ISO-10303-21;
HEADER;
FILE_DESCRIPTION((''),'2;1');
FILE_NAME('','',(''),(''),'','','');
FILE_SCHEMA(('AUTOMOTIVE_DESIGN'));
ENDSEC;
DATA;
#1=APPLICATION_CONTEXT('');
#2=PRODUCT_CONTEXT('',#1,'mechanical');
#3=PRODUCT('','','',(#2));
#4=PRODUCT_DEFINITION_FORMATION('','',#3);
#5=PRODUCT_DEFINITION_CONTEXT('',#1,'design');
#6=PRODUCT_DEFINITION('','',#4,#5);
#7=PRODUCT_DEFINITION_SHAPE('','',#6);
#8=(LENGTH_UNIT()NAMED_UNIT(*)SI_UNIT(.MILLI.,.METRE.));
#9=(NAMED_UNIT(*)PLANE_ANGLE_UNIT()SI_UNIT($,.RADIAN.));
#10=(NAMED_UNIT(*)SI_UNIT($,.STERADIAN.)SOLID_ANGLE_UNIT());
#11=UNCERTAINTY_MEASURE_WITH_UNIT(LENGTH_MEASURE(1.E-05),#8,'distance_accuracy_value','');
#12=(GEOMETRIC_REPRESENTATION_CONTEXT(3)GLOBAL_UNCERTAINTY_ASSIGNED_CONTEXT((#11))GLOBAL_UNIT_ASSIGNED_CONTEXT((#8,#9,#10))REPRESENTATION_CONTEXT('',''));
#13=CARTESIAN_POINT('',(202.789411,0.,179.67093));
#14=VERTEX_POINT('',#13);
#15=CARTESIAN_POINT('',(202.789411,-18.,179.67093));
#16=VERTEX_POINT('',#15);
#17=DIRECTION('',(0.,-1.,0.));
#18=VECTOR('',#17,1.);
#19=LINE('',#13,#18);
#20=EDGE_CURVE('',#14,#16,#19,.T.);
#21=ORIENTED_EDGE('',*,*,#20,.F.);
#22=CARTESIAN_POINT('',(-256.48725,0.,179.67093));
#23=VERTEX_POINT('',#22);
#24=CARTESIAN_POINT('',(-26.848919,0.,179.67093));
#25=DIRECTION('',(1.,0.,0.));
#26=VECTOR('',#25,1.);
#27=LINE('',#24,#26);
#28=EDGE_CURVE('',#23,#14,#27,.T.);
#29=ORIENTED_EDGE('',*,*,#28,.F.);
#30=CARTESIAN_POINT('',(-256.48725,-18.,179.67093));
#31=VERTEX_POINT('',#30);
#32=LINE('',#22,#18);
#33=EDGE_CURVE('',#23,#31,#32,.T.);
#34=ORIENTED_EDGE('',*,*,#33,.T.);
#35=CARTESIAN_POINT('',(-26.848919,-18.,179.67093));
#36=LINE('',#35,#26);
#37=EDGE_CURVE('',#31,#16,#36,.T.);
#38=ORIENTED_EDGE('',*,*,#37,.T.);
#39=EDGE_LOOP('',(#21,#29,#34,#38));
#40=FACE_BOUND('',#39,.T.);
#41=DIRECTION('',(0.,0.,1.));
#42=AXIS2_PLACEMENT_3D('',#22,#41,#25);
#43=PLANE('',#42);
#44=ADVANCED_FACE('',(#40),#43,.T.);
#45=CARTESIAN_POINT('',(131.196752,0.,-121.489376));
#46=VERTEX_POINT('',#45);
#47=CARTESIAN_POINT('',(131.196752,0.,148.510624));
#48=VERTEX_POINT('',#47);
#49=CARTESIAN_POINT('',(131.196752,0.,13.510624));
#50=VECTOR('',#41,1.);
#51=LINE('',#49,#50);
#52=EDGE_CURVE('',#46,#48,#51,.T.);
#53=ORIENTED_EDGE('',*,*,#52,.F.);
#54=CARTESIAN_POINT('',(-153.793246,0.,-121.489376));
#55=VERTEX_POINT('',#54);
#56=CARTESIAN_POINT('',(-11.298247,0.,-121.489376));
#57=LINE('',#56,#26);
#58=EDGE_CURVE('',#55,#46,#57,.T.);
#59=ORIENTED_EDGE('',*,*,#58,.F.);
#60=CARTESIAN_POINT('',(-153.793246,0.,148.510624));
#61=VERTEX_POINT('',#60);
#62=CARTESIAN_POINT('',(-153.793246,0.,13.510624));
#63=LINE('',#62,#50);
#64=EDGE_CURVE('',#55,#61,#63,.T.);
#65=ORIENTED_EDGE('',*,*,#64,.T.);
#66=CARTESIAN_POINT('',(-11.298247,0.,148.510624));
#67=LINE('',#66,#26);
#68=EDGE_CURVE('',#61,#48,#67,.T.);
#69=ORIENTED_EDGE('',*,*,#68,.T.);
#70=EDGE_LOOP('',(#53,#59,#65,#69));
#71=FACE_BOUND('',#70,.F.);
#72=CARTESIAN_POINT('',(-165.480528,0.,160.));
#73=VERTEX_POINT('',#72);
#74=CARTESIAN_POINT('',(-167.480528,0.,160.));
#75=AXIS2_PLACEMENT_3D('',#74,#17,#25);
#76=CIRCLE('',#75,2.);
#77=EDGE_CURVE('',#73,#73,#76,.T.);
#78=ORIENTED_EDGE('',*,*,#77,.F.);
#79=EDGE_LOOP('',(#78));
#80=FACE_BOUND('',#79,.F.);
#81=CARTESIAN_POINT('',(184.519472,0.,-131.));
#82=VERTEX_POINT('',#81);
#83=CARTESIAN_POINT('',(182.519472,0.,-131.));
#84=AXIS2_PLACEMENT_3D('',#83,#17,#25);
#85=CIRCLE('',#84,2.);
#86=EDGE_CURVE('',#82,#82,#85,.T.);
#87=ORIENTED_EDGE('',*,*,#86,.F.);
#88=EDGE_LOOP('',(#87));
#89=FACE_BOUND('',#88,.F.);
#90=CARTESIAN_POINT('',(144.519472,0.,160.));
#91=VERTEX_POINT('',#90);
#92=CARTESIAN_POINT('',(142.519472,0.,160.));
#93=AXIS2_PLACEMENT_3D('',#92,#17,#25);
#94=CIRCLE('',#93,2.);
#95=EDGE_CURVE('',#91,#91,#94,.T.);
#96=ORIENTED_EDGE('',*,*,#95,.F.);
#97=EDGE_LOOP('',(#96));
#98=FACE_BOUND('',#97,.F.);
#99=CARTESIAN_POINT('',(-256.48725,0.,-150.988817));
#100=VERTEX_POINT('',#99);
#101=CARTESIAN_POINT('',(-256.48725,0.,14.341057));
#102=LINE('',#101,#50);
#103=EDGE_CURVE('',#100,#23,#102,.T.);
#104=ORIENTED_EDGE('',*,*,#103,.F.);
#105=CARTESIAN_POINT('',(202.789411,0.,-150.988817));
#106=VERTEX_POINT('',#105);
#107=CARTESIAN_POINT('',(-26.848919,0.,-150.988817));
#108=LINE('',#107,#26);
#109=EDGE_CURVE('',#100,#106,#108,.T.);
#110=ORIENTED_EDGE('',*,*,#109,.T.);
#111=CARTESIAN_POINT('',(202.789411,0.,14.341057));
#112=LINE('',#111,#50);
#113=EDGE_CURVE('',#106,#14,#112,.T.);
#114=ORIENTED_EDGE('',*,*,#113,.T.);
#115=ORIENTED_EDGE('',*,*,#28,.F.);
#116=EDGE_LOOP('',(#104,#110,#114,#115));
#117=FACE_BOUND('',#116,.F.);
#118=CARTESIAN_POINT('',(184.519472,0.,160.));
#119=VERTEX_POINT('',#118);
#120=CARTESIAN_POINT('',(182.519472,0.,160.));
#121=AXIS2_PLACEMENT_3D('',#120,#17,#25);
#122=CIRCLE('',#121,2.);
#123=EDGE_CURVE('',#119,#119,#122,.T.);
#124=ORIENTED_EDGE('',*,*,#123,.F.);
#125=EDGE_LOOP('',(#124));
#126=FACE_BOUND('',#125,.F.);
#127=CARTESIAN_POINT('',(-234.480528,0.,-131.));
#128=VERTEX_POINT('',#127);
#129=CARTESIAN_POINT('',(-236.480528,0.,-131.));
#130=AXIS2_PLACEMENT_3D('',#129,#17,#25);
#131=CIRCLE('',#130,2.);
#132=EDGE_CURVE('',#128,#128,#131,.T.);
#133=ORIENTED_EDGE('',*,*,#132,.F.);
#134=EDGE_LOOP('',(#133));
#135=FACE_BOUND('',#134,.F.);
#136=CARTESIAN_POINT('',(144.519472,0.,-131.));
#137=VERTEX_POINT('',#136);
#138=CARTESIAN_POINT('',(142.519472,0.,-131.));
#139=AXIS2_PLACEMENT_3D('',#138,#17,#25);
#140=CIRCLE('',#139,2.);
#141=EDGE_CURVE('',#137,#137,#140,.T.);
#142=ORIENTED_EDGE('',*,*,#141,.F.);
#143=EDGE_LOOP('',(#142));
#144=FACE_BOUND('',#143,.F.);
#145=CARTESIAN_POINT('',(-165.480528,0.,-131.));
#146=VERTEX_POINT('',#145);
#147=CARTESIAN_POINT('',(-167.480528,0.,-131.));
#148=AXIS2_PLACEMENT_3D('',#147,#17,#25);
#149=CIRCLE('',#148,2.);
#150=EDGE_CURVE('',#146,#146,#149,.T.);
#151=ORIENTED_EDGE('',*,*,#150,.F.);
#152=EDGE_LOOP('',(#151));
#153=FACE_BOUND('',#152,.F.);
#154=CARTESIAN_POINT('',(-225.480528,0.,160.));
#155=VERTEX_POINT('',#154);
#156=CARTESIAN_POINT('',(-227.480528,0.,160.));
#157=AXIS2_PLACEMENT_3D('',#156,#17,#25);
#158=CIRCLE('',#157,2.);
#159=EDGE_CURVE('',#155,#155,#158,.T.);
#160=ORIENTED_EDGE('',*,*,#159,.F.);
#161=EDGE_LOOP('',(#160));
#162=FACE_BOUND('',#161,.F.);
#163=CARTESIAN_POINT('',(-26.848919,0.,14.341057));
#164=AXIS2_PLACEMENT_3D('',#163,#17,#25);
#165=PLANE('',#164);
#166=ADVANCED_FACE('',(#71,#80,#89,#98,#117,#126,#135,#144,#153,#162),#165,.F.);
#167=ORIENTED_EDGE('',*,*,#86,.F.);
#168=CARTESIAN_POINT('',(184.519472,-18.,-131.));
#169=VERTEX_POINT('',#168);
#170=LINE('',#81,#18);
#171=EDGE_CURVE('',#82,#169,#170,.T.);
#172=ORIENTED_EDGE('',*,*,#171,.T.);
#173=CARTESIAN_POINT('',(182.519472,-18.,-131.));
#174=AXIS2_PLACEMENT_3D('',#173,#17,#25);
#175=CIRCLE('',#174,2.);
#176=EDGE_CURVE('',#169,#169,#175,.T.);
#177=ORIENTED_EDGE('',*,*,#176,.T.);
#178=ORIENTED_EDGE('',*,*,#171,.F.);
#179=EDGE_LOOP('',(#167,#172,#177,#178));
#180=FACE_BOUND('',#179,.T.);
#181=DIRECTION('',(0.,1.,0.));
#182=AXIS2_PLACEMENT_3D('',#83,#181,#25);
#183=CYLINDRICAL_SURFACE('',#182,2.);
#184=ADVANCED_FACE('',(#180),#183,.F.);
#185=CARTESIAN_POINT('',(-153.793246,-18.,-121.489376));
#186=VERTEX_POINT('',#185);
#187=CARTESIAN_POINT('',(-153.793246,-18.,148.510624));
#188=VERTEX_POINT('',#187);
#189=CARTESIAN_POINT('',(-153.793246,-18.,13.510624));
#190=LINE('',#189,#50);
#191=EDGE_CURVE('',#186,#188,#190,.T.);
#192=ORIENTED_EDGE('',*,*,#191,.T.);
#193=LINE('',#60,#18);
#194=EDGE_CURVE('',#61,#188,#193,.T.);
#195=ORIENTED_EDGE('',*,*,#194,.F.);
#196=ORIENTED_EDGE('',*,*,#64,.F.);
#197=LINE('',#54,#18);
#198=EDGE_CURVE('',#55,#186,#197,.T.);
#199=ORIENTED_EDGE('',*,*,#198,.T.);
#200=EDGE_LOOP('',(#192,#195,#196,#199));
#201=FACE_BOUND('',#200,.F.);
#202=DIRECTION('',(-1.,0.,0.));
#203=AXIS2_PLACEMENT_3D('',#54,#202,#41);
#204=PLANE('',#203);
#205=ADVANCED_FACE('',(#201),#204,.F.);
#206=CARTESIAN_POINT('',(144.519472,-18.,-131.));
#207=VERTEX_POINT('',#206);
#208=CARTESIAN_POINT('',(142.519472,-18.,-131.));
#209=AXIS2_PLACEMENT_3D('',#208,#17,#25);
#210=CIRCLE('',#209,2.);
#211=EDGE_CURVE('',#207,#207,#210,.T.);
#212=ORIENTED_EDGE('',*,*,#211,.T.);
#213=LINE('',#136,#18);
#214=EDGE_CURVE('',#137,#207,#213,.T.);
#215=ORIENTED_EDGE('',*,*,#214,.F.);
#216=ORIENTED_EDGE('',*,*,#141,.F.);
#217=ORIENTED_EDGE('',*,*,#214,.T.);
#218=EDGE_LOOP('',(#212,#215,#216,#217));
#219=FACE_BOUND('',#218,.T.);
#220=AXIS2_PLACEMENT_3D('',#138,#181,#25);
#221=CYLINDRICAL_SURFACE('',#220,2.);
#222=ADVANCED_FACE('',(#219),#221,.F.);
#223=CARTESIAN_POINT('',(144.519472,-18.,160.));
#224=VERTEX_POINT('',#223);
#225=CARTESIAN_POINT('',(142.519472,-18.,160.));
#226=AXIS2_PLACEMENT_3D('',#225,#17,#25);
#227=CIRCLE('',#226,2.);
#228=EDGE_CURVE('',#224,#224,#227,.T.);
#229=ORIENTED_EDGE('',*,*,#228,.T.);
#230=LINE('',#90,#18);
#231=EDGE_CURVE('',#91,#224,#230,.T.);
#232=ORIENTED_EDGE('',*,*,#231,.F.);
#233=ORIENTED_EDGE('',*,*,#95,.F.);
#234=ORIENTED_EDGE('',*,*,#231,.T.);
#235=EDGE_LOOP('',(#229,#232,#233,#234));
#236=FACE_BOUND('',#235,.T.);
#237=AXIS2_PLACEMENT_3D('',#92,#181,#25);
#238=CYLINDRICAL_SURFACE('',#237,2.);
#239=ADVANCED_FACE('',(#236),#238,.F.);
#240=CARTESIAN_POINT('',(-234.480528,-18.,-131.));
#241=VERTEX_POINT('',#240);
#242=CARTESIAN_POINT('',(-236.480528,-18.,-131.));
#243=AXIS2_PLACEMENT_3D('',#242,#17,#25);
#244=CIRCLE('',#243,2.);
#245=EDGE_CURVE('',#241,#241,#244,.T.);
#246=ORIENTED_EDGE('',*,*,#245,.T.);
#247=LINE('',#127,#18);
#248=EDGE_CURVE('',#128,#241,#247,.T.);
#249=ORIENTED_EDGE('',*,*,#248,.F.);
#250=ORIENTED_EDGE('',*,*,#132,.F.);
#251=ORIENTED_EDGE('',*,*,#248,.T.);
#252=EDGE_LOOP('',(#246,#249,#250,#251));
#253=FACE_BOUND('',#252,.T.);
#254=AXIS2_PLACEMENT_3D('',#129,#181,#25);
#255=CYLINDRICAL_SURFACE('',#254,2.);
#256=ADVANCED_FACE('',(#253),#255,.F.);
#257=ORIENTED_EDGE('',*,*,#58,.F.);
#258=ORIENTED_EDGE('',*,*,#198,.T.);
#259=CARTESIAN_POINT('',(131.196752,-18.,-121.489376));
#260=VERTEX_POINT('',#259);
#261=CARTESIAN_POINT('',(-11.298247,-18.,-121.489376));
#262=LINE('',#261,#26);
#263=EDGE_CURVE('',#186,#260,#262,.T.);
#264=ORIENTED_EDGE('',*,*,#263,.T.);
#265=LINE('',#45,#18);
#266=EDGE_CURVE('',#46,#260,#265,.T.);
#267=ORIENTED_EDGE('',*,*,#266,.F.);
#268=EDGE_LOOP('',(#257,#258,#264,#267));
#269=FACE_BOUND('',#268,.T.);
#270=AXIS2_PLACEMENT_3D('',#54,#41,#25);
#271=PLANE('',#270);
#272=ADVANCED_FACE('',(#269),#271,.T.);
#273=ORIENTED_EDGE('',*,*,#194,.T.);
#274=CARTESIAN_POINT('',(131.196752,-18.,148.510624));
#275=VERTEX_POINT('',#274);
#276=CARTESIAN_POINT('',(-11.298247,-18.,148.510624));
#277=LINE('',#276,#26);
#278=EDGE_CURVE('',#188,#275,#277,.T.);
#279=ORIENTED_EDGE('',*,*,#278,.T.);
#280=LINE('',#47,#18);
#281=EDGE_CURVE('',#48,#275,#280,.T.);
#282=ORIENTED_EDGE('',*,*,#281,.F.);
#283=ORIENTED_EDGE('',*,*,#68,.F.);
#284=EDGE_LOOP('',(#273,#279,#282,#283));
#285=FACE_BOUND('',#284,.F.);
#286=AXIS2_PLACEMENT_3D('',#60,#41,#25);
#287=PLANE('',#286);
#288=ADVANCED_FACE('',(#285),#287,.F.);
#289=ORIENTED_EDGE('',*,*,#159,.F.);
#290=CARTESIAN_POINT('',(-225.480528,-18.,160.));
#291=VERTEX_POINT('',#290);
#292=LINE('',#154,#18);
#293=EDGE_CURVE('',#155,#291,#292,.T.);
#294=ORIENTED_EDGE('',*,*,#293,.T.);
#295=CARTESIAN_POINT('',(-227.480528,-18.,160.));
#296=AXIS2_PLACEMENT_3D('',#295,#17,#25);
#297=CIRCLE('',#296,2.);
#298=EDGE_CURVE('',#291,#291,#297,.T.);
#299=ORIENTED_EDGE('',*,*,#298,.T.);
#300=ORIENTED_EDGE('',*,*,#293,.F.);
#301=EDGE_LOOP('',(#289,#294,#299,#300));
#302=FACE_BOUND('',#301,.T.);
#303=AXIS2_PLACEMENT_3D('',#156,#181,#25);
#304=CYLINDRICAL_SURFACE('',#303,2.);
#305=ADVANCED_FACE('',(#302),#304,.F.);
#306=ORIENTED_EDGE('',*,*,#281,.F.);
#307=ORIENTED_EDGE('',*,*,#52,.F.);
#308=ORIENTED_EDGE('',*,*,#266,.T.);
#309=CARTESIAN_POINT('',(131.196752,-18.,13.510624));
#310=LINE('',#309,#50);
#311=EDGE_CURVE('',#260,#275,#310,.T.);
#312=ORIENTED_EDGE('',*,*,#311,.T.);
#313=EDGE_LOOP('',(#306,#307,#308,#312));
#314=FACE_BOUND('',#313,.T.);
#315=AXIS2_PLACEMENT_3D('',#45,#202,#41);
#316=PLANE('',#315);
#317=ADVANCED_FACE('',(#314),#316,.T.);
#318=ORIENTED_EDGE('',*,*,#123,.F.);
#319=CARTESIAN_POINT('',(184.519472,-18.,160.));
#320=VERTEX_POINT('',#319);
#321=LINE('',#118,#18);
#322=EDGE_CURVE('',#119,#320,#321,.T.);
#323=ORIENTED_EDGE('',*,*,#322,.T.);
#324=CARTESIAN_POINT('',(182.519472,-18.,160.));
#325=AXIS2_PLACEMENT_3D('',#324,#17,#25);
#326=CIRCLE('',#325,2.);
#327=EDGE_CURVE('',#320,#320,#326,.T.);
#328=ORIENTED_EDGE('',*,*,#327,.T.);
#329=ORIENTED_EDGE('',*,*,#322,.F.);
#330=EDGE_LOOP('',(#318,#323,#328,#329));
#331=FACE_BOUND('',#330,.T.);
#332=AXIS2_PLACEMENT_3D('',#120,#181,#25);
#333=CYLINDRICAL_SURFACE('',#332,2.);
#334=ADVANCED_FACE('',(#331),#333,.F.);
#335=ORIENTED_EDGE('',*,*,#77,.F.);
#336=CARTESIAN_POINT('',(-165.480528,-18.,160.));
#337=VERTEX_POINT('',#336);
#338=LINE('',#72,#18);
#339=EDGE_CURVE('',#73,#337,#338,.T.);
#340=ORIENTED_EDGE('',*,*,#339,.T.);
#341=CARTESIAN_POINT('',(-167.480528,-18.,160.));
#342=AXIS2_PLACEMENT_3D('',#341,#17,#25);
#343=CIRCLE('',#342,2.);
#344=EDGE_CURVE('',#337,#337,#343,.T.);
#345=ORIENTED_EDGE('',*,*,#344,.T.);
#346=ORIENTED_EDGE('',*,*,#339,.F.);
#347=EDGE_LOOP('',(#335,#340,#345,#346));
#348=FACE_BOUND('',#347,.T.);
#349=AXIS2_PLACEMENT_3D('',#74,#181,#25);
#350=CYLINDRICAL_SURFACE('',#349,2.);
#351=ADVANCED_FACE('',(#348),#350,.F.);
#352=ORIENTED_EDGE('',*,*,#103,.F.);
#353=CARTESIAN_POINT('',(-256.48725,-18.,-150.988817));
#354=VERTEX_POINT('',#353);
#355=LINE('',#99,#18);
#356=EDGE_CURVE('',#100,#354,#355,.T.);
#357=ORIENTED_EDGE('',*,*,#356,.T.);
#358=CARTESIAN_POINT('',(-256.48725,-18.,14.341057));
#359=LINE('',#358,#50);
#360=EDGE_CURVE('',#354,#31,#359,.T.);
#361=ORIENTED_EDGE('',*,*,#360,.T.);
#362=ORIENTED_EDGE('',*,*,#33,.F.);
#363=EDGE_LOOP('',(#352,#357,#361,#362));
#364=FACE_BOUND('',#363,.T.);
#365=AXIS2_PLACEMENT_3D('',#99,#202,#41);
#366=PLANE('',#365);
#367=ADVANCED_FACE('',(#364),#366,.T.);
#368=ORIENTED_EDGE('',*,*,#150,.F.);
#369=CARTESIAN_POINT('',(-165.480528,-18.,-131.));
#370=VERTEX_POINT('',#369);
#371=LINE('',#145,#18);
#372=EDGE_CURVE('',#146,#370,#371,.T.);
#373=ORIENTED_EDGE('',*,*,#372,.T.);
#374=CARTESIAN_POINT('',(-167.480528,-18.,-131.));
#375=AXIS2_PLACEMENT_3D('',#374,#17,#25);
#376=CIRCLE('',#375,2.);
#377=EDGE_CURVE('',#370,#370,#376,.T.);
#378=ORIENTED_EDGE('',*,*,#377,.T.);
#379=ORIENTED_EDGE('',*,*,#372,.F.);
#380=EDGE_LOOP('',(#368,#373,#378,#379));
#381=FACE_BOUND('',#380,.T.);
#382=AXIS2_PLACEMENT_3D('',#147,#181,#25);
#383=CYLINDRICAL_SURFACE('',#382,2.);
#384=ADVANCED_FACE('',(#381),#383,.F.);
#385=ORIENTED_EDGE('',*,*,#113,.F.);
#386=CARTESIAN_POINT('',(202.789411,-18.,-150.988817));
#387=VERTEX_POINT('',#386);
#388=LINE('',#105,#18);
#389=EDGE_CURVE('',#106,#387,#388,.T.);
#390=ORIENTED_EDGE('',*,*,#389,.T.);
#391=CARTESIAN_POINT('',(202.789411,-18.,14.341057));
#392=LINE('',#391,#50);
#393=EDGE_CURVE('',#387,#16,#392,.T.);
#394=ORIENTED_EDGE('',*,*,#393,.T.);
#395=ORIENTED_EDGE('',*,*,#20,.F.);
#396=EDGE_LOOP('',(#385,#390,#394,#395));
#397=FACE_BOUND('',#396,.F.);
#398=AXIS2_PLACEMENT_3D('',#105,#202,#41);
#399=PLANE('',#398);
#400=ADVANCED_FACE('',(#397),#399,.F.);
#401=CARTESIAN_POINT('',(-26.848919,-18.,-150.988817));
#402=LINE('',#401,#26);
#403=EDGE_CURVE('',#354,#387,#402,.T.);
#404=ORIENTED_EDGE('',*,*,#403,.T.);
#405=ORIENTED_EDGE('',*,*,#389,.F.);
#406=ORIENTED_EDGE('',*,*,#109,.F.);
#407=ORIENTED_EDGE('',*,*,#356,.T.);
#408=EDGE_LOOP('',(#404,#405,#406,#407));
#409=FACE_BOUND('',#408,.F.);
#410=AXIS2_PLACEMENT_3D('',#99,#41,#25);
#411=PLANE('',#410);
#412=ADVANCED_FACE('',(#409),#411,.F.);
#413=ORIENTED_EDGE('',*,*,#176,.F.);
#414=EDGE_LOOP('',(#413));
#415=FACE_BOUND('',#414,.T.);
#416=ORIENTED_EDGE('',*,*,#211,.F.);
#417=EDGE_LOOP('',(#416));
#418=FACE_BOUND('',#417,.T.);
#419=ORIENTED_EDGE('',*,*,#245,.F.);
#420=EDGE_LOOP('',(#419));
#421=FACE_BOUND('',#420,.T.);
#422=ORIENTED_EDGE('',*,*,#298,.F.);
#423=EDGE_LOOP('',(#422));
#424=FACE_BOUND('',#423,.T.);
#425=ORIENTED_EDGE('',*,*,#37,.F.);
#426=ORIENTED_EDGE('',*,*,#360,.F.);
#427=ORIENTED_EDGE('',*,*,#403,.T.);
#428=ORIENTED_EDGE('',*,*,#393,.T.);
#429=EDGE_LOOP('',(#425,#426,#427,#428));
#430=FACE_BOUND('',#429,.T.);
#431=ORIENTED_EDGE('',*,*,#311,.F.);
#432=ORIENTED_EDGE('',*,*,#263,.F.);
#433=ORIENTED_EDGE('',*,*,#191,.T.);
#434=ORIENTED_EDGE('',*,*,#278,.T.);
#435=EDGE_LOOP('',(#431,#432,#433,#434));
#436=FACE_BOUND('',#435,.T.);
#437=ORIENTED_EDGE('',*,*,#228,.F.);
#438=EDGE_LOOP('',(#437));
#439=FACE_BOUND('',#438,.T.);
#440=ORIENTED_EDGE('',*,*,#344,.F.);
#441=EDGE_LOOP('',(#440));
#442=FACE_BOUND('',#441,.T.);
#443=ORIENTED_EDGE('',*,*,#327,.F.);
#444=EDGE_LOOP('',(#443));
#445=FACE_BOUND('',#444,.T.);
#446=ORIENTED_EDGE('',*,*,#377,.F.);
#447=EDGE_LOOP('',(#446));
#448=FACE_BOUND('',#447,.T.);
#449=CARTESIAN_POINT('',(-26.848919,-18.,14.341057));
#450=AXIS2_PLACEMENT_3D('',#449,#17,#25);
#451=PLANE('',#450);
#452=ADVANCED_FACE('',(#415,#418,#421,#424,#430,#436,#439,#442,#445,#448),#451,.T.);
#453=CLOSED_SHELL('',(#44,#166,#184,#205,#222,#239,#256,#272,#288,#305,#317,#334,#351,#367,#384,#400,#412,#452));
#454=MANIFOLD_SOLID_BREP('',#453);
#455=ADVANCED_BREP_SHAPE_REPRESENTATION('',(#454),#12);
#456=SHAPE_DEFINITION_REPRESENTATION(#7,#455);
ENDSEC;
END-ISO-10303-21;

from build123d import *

# Parameters (mm, degrees)
F0_W     = 459.276661
F0_H     = 330.659747
F0_R     = 2
F0_W_2   = 284.989998
F0_H_2   = 270
F1_DEPTH = 18


with BuildPart() as f1:
    # F0 (on Front) → F1 (new body)
    with BuildSketch(Plane.XZ):
        with Locations((-26.848919, 14.341057)):
            Rectangle(F0_W, F0_H)
        with Locations((-236.480528, -131)):
            Circle(F0_R, mode=Mode.SUBTRACT)
        with Locations((-167.480528, -131)):
            Circle(F0_R, mode=Mode.SUBTRACT)
        with Locations((142.519472, -131)):
            Circle(F0_R, mode=Mode.SUBTRACT)
        with Locations((182.519472, -131)):
            Circle(F0_R, mode=Mode.SUBTRACT)
        with Locations((-11.298247, 13.510624)):
            Rectangle(F0_W_2, F0_H_2, mode=Mode.SUBTRACT)
        with Locations((-227.480528, 160)):
            Circle(F0_R, mode=Mode.SUBTRACT)
        with Locations((-167.480528, 160)):
            Circle(F0_R, mode=Mode.SUBTRACT)
        with Locations((142.519472, 160)):
            Circle(F0_R, mode=Mode.SUBTRACT)
        with Locations((182.519472, 160)):
            Circle(F0_R, mode=Mode.SUBTRACT)
    extrude(amount=F1_DEPTH)


solid = f1.part
